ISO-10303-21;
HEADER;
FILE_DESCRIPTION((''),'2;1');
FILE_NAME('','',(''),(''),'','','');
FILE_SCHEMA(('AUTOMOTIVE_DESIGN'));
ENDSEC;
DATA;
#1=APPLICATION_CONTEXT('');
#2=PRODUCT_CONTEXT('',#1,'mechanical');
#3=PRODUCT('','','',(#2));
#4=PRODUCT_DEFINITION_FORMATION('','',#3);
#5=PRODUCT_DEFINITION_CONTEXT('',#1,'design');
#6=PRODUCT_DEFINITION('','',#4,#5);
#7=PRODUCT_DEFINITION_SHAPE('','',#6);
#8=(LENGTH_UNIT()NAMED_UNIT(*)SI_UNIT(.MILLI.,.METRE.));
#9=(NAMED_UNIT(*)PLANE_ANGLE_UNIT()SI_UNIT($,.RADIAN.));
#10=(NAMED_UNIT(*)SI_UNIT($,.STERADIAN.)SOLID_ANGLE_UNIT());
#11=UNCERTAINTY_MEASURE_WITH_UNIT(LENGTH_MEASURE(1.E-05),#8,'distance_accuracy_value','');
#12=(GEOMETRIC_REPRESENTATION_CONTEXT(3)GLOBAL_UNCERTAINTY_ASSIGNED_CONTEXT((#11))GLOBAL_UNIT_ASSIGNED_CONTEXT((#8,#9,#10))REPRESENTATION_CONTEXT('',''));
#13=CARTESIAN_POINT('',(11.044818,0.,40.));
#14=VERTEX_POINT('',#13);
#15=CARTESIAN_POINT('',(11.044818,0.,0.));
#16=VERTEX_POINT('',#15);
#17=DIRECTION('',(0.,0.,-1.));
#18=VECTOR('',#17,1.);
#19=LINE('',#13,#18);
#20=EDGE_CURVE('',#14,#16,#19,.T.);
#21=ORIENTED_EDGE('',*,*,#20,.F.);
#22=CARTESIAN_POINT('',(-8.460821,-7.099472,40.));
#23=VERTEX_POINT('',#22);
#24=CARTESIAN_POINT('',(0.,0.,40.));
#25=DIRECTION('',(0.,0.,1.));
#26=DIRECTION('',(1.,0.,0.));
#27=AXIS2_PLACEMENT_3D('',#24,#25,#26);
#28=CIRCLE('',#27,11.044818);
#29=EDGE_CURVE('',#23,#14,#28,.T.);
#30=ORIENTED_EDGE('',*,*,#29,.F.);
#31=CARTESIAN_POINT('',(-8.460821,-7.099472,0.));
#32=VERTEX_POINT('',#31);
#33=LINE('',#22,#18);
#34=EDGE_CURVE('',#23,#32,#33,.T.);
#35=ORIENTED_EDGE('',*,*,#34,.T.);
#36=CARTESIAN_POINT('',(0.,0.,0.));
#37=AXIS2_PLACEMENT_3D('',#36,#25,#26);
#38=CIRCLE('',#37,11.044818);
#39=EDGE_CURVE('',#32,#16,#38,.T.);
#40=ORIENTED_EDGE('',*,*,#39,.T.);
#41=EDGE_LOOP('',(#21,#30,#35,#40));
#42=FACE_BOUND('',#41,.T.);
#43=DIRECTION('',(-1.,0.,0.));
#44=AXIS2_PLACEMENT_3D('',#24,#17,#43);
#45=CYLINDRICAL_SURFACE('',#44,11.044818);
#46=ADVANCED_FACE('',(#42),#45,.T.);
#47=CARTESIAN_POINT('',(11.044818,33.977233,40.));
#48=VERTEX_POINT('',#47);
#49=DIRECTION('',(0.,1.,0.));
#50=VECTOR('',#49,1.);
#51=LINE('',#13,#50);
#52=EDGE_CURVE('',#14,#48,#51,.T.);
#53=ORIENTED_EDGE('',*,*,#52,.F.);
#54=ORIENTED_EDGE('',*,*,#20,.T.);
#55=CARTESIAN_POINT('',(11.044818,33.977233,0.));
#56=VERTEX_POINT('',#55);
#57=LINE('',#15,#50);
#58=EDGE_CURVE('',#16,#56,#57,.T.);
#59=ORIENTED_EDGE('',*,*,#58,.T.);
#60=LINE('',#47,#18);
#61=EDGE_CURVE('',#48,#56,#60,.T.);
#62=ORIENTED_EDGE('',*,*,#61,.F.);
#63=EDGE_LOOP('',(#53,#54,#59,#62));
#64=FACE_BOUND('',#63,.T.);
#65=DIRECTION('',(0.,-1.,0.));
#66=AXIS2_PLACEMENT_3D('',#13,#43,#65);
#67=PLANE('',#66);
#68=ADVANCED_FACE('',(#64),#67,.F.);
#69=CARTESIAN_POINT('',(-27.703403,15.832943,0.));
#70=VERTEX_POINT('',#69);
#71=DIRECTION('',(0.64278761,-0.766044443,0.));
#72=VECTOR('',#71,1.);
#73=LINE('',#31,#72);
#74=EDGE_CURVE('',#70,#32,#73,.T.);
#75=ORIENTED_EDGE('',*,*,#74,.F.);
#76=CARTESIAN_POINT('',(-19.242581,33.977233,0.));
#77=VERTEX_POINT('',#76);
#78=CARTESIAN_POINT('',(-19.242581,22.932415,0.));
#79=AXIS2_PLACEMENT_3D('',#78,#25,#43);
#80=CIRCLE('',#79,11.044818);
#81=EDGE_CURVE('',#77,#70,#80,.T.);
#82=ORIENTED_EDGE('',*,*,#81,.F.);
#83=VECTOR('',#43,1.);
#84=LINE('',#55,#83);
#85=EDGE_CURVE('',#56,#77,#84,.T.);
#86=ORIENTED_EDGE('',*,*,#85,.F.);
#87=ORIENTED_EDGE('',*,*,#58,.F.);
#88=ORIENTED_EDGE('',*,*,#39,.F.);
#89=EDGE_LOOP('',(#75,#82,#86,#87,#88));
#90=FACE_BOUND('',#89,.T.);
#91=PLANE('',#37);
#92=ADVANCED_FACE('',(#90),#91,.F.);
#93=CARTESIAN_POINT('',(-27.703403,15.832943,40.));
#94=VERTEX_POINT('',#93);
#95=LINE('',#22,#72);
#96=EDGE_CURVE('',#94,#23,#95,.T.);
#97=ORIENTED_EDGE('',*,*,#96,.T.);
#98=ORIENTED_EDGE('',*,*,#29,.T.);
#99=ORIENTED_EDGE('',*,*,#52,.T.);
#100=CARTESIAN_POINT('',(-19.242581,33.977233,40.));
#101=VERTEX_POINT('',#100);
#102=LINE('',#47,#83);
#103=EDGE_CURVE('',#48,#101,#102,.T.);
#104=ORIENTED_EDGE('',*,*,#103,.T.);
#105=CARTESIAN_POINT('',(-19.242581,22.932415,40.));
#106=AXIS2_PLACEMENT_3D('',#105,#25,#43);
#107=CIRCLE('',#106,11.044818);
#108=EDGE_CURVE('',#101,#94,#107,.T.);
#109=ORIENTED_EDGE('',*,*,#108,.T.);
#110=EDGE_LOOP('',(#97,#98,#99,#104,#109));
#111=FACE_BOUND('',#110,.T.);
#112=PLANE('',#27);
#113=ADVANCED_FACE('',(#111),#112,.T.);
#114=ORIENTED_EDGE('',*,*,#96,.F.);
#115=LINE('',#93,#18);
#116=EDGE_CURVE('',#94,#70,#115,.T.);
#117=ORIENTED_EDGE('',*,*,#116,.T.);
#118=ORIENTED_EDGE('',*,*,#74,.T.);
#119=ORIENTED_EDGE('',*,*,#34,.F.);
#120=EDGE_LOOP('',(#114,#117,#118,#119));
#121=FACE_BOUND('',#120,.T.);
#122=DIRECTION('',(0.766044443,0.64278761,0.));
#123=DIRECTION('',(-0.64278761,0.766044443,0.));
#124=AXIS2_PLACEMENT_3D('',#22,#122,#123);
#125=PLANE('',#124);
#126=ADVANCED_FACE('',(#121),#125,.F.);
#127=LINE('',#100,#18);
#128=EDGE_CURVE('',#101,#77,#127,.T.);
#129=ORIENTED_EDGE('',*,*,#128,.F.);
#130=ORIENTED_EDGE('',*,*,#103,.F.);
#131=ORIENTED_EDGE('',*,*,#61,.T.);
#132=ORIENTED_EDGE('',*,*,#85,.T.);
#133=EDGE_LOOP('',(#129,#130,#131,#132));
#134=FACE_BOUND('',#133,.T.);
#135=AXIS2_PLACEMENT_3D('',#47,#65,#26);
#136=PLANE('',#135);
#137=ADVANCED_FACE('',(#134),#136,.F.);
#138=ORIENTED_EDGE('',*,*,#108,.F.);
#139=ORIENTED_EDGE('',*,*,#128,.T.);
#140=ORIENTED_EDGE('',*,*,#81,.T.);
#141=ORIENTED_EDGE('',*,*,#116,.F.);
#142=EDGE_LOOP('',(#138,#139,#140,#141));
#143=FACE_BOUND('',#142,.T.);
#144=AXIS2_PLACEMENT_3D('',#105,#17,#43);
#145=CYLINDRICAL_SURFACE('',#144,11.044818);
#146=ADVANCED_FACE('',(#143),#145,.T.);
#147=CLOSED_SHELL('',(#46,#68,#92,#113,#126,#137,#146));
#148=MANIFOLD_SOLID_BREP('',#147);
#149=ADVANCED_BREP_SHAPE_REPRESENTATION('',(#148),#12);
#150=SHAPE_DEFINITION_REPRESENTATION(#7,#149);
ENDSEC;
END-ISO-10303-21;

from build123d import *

# Parameters (mm, degrees)
EXTRUDE_1_DEPTH = 40


with BuildPart() as part:
    # 草图1 → 凸台-拉伸1 (new body)
    with BuildSketch(Plane.XY):
        with BuildLine():
            Line((-8.460821473, -7.099472177), (-27.703402524, 15.832942921))
            ThreePointArc((-27.703402524, 15.832942921), (-29.252585633, 27.600156893), (-19.242581051, 33.977233123))
            Line((-19.242581051, 33.977233123), (11.044818024, 33.977233123))
            Line((11.044818024, 33.977233123), (11.044818024, 0))
            ThreePointArc((11.044818024, 0), (3.777550244, -10.378733995), (-8.460821473, -7.099472177))
        make_face()
    extrude(amount=EXTRUDE_1_DEPTH)


solid = part.part
